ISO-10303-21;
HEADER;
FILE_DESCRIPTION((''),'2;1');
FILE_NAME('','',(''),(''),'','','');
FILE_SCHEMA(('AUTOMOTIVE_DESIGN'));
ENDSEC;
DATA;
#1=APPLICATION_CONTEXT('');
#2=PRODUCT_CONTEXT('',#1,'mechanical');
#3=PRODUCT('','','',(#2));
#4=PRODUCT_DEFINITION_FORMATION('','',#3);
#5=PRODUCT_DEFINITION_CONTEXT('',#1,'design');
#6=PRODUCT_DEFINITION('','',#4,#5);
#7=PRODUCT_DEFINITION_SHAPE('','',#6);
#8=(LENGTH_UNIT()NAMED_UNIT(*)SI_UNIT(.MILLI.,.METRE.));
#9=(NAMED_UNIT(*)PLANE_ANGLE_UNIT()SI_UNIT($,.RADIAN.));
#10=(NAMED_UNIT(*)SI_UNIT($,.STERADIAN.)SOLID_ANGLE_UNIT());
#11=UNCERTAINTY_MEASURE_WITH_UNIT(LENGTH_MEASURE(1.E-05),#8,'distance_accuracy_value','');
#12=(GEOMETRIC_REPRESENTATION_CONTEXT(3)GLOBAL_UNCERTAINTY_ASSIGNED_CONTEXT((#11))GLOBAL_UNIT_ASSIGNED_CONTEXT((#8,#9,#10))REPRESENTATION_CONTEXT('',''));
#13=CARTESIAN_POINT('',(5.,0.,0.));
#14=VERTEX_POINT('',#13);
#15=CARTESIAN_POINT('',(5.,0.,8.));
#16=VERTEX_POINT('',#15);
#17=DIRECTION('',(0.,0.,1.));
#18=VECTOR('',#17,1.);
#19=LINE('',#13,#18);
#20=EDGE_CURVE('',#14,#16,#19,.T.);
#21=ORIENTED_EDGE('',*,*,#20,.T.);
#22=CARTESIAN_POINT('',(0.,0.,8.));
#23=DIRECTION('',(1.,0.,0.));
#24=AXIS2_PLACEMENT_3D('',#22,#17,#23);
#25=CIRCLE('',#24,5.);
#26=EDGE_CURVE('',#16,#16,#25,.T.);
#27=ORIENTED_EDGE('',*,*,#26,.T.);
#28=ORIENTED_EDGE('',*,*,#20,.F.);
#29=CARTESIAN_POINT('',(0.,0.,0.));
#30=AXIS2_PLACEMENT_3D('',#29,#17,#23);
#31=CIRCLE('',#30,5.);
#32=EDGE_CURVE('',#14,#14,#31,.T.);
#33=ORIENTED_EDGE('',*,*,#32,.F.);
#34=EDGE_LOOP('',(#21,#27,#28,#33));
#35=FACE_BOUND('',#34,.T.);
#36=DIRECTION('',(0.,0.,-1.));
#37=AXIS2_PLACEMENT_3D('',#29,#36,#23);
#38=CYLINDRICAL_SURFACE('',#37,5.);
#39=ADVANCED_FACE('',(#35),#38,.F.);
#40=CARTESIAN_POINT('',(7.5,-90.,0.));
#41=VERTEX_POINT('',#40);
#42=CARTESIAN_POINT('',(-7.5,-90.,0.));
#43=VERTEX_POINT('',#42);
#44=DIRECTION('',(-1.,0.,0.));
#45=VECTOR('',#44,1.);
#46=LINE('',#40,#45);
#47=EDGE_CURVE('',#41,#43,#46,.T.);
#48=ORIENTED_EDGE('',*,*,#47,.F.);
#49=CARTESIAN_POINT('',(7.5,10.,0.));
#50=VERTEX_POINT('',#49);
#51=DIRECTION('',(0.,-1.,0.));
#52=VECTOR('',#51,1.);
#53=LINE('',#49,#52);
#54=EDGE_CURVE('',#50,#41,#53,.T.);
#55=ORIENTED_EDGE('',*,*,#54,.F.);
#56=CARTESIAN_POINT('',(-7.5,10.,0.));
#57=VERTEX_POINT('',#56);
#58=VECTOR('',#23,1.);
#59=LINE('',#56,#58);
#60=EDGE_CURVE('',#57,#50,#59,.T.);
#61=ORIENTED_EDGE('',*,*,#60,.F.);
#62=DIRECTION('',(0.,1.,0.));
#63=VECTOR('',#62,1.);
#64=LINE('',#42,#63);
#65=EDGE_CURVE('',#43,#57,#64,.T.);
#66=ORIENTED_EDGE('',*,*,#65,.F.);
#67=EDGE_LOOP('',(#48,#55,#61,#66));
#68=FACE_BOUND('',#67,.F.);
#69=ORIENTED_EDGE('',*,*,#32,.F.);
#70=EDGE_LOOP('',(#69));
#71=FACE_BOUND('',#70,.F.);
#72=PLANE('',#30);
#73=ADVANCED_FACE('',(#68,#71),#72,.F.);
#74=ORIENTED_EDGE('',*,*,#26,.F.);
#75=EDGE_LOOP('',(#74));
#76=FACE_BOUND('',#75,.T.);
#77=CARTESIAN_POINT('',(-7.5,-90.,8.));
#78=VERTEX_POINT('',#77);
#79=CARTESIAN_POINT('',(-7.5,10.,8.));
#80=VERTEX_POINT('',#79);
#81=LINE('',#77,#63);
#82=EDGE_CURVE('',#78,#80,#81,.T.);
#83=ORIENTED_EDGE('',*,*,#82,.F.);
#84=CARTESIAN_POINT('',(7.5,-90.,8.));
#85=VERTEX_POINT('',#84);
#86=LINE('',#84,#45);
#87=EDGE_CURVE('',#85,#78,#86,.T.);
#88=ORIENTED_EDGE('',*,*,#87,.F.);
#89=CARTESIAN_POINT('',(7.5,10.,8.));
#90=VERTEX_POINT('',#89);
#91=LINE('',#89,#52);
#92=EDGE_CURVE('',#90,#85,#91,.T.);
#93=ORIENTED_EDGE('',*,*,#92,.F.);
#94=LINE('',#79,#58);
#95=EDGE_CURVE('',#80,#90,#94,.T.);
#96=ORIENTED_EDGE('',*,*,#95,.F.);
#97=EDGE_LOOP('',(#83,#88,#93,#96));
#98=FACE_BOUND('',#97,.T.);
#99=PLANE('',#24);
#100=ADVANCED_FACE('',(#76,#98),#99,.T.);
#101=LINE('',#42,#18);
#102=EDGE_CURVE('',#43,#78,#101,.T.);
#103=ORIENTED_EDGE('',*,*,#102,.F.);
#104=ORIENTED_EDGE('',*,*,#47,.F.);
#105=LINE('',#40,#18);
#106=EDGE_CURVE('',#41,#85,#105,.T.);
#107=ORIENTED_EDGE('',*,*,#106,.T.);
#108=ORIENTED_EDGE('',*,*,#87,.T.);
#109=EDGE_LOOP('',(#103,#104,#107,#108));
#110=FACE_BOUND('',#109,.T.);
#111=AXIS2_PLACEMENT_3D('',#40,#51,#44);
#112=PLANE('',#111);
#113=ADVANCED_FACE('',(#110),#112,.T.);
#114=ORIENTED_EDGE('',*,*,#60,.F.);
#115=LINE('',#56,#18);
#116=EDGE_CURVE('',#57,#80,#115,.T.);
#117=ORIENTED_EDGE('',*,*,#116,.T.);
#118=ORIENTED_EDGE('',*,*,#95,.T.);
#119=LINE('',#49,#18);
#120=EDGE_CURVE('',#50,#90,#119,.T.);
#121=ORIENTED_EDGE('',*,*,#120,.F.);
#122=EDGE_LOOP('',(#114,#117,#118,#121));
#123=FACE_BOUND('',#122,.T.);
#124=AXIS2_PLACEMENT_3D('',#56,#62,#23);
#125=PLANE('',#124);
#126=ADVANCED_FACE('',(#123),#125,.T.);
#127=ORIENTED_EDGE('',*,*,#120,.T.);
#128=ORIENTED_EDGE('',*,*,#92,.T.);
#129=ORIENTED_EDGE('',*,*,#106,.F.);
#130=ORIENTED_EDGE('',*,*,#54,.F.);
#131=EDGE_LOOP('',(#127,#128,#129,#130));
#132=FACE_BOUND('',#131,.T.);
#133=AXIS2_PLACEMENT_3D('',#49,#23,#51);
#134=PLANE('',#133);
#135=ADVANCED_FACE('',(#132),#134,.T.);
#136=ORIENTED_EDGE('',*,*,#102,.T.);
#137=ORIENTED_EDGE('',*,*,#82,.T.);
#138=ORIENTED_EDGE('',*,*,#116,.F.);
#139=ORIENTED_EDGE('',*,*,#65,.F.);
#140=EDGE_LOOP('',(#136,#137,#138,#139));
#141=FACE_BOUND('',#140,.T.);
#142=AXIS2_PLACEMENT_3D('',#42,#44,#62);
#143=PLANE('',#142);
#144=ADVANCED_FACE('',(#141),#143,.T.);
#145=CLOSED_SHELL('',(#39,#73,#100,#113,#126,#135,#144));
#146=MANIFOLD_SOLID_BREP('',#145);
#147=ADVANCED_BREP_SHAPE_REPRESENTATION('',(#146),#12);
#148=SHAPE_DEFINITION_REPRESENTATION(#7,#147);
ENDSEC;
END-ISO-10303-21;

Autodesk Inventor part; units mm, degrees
ref_plane "YZ Plane" through (0, 0, 0) normal (1, 0, 0) x (0, 1, 0)
ref_plane "XZ Plane" through (0, 0, 0) normal (0, 1, 0) x (-1, 0, 0)
ref_plane "XY Plane" through (0, 0, 0) normal (0, 0, 1) x (1, 0, 0)
sketch "Skizze1" plane through (0, 0, 0) normal (0, 0, 1) x (1, 0, 0)
  line L0 (-7.5, 10) -> (7.5, 10)
  line L1 (7.5, 10) -> (7.5, -90)
  line L2 (7.5, -90) -> (-7.5, -90)
  line L3 (-7.5, -90) -> (-7.5, 10)
  circle A0 centre (0, 0) radius 5
  dimension "d0" = 15
  dimension "d1" = 10
  dimension "d2" = 7.5
  dimension "d3" = 100
  dimension "d4" = 10
extrude "Extrusion1" add sketch "Skizze1" along normal blind 8
equation "\"d2\" = 0.5 * d0"
properties part number "pendulum" material "Stahl"
